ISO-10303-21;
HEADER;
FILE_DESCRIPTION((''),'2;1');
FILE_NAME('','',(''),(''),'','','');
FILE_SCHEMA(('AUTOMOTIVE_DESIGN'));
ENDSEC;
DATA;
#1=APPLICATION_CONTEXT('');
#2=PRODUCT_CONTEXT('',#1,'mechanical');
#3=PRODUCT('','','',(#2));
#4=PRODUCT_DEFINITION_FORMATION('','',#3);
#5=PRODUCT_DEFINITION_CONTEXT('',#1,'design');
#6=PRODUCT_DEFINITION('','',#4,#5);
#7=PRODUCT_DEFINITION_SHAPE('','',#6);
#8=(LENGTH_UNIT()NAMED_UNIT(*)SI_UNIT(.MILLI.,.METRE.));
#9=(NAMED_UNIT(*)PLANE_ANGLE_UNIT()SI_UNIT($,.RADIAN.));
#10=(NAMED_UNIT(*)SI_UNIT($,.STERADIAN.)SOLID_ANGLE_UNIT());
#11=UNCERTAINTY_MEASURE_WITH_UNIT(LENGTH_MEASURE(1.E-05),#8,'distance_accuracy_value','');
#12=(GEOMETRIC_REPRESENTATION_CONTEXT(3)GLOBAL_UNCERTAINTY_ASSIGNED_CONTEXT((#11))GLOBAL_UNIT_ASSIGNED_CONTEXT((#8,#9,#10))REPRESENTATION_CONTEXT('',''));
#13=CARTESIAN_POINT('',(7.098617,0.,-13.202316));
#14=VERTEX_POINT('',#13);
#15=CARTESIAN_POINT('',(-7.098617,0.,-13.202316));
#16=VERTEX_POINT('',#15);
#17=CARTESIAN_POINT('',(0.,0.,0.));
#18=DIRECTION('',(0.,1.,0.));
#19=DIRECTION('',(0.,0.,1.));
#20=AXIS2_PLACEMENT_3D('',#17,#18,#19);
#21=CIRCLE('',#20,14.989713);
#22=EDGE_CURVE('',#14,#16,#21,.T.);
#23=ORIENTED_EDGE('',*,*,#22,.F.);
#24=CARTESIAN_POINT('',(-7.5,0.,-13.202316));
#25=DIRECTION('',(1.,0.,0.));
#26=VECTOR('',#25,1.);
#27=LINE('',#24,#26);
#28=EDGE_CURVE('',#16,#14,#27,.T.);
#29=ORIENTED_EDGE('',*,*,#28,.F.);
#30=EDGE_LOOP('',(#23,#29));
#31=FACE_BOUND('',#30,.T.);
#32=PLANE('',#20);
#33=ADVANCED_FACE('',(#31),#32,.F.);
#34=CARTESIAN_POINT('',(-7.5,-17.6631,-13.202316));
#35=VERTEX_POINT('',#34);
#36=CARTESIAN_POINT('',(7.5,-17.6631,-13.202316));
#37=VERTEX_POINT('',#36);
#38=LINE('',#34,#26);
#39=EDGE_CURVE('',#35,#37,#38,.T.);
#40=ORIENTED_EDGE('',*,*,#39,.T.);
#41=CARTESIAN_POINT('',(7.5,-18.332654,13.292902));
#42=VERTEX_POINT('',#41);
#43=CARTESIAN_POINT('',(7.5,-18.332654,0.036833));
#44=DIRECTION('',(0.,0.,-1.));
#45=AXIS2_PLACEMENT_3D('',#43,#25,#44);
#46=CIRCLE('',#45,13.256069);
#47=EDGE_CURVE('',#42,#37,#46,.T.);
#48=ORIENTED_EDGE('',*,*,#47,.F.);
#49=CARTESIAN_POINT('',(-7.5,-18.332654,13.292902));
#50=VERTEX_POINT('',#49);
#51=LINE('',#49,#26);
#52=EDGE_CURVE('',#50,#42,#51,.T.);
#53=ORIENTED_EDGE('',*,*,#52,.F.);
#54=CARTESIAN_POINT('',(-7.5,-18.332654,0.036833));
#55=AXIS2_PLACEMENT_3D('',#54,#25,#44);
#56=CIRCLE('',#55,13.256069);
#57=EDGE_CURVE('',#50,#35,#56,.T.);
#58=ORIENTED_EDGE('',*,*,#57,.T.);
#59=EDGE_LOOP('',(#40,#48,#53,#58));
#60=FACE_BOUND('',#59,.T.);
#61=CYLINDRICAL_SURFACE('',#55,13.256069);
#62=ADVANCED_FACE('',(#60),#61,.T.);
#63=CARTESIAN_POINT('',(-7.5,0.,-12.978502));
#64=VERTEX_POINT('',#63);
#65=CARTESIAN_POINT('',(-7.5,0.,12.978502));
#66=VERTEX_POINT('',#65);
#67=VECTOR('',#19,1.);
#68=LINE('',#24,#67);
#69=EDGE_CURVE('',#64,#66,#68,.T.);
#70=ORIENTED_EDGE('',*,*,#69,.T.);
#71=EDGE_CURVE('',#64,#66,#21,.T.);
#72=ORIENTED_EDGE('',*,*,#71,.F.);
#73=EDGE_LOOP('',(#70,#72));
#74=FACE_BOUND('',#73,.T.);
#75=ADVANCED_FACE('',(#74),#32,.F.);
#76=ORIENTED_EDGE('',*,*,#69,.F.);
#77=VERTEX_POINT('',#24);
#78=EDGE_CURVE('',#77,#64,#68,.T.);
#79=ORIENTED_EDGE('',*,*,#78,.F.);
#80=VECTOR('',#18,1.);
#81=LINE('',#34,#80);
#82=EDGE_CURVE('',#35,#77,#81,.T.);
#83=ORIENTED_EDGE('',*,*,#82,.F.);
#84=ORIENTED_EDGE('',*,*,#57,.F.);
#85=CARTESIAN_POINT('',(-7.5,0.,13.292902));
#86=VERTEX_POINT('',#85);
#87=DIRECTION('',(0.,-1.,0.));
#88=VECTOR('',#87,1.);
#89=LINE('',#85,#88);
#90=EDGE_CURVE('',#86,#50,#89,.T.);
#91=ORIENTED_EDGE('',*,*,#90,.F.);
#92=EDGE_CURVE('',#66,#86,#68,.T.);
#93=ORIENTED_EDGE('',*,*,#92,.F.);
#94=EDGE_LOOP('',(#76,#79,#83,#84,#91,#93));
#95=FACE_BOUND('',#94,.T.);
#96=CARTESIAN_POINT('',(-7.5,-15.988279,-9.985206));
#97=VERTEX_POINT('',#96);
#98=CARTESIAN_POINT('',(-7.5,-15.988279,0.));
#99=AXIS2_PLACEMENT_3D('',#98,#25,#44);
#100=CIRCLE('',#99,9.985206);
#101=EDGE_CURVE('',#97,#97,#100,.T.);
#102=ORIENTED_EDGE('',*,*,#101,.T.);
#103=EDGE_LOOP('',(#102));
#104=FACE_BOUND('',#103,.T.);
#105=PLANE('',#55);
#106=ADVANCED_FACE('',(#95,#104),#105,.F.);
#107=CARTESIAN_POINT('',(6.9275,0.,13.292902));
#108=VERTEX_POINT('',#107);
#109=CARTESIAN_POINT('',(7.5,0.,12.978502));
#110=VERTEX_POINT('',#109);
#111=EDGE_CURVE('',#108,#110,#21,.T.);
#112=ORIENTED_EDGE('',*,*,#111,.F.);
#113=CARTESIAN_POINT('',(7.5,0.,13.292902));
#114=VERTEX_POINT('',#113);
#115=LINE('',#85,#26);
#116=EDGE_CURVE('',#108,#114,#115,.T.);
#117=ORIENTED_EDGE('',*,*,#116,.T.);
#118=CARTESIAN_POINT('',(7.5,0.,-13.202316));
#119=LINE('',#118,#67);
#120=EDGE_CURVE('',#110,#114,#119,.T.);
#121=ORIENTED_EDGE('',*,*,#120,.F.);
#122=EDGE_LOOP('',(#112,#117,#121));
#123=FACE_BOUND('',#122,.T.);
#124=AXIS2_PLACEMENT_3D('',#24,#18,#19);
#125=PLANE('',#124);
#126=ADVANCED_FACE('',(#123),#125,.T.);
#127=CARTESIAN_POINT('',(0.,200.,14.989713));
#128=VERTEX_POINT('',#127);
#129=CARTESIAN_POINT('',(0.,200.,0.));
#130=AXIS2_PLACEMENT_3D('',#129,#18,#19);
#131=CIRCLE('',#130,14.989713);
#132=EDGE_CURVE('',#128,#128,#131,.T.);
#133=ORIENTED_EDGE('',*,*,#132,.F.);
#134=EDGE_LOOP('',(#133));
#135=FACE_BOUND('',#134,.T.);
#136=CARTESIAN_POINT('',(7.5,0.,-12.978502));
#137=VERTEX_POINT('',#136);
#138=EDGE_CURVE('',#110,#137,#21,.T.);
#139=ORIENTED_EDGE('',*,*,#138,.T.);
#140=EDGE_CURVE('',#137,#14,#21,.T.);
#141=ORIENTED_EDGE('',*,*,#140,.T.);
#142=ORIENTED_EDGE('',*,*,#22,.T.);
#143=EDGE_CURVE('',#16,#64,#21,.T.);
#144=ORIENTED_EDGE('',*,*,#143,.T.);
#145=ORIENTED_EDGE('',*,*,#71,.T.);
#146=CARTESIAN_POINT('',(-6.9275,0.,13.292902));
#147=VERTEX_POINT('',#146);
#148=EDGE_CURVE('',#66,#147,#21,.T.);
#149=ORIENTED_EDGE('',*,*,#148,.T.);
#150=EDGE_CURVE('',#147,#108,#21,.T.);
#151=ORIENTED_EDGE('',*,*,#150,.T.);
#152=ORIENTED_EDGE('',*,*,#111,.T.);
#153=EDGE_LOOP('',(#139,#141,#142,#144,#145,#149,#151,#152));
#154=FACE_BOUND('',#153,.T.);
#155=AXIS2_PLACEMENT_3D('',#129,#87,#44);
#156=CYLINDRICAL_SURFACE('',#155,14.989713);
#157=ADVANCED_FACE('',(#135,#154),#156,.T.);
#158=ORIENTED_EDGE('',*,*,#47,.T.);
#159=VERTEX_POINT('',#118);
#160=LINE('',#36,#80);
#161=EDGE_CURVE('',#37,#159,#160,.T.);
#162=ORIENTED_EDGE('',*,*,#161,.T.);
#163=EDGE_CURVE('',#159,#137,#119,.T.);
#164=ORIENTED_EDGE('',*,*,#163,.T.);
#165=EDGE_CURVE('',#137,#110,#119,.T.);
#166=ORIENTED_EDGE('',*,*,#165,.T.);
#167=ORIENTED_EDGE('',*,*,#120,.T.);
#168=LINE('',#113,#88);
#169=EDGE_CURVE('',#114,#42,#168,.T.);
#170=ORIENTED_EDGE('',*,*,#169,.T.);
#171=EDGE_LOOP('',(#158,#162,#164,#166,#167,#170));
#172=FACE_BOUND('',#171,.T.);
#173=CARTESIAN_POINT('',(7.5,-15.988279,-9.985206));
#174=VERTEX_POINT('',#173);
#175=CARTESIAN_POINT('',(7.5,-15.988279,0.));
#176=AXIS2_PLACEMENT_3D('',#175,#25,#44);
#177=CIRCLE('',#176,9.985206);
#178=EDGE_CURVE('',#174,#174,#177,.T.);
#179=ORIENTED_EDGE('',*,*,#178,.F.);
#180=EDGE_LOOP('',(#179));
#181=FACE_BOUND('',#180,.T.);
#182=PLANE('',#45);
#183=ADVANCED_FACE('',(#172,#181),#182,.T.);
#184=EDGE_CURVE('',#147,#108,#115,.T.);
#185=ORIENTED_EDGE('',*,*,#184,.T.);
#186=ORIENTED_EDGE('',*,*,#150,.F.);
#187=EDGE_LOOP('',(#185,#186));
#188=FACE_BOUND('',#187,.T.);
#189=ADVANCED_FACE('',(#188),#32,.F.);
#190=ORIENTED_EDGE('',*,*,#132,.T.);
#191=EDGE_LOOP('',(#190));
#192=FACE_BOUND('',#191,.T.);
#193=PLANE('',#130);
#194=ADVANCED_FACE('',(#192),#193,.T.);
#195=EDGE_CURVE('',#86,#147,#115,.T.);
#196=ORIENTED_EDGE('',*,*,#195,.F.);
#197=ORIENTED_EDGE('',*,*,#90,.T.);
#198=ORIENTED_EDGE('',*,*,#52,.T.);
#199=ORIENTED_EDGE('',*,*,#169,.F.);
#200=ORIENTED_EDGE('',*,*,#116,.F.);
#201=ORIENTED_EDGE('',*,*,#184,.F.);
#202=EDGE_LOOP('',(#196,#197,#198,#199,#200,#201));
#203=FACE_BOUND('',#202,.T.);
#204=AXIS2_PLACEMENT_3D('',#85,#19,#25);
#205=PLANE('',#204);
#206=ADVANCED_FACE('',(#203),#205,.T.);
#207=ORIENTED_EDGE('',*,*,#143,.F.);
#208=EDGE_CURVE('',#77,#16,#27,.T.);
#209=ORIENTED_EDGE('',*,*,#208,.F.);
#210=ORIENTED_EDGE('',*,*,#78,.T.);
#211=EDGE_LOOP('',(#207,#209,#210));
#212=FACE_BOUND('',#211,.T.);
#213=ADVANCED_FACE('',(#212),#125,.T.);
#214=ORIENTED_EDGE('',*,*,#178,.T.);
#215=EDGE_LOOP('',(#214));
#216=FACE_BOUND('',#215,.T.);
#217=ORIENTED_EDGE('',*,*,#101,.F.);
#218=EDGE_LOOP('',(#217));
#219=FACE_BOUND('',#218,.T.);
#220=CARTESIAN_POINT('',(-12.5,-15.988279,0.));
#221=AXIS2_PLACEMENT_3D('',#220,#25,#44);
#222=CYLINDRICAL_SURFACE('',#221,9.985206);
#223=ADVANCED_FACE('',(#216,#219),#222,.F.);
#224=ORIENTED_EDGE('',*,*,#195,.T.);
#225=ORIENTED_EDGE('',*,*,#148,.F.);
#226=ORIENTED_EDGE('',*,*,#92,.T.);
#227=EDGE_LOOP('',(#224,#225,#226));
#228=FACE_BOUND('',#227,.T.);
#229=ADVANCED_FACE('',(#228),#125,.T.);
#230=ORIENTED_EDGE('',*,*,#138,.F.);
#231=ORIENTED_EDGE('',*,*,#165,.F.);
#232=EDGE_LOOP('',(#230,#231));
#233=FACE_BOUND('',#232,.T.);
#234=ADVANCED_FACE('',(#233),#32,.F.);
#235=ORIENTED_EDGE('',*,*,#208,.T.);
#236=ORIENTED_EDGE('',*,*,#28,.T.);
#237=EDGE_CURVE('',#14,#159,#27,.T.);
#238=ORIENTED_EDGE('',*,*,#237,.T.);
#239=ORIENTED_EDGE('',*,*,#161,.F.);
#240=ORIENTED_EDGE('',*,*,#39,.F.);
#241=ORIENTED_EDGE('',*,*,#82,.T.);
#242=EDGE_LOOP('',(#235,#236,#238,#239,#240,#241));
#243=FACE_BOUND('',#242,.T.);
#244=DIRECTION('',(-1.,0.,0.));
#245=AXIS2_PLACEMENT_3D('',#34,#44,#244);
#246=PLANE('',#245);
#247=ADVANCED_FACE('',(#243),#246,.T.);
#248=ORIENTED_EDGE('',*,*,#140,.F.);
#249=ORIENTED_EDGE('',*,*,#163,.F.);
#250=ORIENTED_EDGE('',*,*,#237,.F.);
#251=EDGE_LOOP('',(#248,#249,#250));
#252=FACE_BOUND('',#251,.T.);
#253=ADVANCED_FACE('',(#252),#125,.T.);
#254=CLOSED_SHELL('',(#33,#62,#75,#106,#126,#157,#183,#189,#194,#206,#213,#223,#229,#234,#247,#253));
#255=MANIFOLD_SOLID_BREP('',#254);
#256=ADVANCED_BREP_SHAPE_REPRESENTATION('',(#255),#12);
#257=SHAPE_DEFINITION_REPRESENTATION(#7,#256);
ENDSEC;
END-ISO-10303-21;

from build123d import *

# Parameters (mm, degrees)
SKETCH5_R           = 14.989713258
BOSS_EXTRUDE3_DEPTH = 200
BOSS_EXTRUDE4_DEPTH = 7.5
SKETCH7_R           = 9.985206203
CUT_EXTRUDE2_DEPTH  = 20


with BuildPart() as part:
    # Sketch5 → Boss-Extrude3 (new body)
    with BuildSketch(Plane(origin=(0, 0, 0), x_dir=(1, 0, 0), z_dir=(0, 1, 0))):
        Circle(SKETCH5_R)
    extrude(amount=BOSS_EXTRUDE3_DEPTH)

    # Sketch6 → Boss-Extrude4 (add, symmetric)
    with BuildSketch(Plane(origin=(0, 0, 0), x_dir=(0, -1, 0), z_dir=(-1, 0, 0))):
        with BuildLine():
            Line((0, 13.292901933), (18.33265387, 13.292901933))
            ThreePointArc((18.33265387, 13.292901933), (31.584492176, -0.298051084), (17.663099627, -13.202315957))
            Line((17.663099627, -13.202315957), (0, -13.202315957))
            Line((0, -13.202315957), (0, 13.292901933))
        make_face()
    extrude(amount=BOSS_EXTRUDE4_DEPTH, both=True)

    # Sketch7 → Cut-Extrude2 (cut, symmetric)
    with BuildSketch(Plane(origin=(7.5, 0, 0), x_dir=(0, 0, -1), z_dir=(1, 0, 0))):
        with Locations((0, -15.988279057)):
            Circle(SKETCH7_R)
    extrude(amount=CUT_EXTRUDE2_DEPTH, both=True, mode=Mode.SUBTRACT)


solid = part.part
